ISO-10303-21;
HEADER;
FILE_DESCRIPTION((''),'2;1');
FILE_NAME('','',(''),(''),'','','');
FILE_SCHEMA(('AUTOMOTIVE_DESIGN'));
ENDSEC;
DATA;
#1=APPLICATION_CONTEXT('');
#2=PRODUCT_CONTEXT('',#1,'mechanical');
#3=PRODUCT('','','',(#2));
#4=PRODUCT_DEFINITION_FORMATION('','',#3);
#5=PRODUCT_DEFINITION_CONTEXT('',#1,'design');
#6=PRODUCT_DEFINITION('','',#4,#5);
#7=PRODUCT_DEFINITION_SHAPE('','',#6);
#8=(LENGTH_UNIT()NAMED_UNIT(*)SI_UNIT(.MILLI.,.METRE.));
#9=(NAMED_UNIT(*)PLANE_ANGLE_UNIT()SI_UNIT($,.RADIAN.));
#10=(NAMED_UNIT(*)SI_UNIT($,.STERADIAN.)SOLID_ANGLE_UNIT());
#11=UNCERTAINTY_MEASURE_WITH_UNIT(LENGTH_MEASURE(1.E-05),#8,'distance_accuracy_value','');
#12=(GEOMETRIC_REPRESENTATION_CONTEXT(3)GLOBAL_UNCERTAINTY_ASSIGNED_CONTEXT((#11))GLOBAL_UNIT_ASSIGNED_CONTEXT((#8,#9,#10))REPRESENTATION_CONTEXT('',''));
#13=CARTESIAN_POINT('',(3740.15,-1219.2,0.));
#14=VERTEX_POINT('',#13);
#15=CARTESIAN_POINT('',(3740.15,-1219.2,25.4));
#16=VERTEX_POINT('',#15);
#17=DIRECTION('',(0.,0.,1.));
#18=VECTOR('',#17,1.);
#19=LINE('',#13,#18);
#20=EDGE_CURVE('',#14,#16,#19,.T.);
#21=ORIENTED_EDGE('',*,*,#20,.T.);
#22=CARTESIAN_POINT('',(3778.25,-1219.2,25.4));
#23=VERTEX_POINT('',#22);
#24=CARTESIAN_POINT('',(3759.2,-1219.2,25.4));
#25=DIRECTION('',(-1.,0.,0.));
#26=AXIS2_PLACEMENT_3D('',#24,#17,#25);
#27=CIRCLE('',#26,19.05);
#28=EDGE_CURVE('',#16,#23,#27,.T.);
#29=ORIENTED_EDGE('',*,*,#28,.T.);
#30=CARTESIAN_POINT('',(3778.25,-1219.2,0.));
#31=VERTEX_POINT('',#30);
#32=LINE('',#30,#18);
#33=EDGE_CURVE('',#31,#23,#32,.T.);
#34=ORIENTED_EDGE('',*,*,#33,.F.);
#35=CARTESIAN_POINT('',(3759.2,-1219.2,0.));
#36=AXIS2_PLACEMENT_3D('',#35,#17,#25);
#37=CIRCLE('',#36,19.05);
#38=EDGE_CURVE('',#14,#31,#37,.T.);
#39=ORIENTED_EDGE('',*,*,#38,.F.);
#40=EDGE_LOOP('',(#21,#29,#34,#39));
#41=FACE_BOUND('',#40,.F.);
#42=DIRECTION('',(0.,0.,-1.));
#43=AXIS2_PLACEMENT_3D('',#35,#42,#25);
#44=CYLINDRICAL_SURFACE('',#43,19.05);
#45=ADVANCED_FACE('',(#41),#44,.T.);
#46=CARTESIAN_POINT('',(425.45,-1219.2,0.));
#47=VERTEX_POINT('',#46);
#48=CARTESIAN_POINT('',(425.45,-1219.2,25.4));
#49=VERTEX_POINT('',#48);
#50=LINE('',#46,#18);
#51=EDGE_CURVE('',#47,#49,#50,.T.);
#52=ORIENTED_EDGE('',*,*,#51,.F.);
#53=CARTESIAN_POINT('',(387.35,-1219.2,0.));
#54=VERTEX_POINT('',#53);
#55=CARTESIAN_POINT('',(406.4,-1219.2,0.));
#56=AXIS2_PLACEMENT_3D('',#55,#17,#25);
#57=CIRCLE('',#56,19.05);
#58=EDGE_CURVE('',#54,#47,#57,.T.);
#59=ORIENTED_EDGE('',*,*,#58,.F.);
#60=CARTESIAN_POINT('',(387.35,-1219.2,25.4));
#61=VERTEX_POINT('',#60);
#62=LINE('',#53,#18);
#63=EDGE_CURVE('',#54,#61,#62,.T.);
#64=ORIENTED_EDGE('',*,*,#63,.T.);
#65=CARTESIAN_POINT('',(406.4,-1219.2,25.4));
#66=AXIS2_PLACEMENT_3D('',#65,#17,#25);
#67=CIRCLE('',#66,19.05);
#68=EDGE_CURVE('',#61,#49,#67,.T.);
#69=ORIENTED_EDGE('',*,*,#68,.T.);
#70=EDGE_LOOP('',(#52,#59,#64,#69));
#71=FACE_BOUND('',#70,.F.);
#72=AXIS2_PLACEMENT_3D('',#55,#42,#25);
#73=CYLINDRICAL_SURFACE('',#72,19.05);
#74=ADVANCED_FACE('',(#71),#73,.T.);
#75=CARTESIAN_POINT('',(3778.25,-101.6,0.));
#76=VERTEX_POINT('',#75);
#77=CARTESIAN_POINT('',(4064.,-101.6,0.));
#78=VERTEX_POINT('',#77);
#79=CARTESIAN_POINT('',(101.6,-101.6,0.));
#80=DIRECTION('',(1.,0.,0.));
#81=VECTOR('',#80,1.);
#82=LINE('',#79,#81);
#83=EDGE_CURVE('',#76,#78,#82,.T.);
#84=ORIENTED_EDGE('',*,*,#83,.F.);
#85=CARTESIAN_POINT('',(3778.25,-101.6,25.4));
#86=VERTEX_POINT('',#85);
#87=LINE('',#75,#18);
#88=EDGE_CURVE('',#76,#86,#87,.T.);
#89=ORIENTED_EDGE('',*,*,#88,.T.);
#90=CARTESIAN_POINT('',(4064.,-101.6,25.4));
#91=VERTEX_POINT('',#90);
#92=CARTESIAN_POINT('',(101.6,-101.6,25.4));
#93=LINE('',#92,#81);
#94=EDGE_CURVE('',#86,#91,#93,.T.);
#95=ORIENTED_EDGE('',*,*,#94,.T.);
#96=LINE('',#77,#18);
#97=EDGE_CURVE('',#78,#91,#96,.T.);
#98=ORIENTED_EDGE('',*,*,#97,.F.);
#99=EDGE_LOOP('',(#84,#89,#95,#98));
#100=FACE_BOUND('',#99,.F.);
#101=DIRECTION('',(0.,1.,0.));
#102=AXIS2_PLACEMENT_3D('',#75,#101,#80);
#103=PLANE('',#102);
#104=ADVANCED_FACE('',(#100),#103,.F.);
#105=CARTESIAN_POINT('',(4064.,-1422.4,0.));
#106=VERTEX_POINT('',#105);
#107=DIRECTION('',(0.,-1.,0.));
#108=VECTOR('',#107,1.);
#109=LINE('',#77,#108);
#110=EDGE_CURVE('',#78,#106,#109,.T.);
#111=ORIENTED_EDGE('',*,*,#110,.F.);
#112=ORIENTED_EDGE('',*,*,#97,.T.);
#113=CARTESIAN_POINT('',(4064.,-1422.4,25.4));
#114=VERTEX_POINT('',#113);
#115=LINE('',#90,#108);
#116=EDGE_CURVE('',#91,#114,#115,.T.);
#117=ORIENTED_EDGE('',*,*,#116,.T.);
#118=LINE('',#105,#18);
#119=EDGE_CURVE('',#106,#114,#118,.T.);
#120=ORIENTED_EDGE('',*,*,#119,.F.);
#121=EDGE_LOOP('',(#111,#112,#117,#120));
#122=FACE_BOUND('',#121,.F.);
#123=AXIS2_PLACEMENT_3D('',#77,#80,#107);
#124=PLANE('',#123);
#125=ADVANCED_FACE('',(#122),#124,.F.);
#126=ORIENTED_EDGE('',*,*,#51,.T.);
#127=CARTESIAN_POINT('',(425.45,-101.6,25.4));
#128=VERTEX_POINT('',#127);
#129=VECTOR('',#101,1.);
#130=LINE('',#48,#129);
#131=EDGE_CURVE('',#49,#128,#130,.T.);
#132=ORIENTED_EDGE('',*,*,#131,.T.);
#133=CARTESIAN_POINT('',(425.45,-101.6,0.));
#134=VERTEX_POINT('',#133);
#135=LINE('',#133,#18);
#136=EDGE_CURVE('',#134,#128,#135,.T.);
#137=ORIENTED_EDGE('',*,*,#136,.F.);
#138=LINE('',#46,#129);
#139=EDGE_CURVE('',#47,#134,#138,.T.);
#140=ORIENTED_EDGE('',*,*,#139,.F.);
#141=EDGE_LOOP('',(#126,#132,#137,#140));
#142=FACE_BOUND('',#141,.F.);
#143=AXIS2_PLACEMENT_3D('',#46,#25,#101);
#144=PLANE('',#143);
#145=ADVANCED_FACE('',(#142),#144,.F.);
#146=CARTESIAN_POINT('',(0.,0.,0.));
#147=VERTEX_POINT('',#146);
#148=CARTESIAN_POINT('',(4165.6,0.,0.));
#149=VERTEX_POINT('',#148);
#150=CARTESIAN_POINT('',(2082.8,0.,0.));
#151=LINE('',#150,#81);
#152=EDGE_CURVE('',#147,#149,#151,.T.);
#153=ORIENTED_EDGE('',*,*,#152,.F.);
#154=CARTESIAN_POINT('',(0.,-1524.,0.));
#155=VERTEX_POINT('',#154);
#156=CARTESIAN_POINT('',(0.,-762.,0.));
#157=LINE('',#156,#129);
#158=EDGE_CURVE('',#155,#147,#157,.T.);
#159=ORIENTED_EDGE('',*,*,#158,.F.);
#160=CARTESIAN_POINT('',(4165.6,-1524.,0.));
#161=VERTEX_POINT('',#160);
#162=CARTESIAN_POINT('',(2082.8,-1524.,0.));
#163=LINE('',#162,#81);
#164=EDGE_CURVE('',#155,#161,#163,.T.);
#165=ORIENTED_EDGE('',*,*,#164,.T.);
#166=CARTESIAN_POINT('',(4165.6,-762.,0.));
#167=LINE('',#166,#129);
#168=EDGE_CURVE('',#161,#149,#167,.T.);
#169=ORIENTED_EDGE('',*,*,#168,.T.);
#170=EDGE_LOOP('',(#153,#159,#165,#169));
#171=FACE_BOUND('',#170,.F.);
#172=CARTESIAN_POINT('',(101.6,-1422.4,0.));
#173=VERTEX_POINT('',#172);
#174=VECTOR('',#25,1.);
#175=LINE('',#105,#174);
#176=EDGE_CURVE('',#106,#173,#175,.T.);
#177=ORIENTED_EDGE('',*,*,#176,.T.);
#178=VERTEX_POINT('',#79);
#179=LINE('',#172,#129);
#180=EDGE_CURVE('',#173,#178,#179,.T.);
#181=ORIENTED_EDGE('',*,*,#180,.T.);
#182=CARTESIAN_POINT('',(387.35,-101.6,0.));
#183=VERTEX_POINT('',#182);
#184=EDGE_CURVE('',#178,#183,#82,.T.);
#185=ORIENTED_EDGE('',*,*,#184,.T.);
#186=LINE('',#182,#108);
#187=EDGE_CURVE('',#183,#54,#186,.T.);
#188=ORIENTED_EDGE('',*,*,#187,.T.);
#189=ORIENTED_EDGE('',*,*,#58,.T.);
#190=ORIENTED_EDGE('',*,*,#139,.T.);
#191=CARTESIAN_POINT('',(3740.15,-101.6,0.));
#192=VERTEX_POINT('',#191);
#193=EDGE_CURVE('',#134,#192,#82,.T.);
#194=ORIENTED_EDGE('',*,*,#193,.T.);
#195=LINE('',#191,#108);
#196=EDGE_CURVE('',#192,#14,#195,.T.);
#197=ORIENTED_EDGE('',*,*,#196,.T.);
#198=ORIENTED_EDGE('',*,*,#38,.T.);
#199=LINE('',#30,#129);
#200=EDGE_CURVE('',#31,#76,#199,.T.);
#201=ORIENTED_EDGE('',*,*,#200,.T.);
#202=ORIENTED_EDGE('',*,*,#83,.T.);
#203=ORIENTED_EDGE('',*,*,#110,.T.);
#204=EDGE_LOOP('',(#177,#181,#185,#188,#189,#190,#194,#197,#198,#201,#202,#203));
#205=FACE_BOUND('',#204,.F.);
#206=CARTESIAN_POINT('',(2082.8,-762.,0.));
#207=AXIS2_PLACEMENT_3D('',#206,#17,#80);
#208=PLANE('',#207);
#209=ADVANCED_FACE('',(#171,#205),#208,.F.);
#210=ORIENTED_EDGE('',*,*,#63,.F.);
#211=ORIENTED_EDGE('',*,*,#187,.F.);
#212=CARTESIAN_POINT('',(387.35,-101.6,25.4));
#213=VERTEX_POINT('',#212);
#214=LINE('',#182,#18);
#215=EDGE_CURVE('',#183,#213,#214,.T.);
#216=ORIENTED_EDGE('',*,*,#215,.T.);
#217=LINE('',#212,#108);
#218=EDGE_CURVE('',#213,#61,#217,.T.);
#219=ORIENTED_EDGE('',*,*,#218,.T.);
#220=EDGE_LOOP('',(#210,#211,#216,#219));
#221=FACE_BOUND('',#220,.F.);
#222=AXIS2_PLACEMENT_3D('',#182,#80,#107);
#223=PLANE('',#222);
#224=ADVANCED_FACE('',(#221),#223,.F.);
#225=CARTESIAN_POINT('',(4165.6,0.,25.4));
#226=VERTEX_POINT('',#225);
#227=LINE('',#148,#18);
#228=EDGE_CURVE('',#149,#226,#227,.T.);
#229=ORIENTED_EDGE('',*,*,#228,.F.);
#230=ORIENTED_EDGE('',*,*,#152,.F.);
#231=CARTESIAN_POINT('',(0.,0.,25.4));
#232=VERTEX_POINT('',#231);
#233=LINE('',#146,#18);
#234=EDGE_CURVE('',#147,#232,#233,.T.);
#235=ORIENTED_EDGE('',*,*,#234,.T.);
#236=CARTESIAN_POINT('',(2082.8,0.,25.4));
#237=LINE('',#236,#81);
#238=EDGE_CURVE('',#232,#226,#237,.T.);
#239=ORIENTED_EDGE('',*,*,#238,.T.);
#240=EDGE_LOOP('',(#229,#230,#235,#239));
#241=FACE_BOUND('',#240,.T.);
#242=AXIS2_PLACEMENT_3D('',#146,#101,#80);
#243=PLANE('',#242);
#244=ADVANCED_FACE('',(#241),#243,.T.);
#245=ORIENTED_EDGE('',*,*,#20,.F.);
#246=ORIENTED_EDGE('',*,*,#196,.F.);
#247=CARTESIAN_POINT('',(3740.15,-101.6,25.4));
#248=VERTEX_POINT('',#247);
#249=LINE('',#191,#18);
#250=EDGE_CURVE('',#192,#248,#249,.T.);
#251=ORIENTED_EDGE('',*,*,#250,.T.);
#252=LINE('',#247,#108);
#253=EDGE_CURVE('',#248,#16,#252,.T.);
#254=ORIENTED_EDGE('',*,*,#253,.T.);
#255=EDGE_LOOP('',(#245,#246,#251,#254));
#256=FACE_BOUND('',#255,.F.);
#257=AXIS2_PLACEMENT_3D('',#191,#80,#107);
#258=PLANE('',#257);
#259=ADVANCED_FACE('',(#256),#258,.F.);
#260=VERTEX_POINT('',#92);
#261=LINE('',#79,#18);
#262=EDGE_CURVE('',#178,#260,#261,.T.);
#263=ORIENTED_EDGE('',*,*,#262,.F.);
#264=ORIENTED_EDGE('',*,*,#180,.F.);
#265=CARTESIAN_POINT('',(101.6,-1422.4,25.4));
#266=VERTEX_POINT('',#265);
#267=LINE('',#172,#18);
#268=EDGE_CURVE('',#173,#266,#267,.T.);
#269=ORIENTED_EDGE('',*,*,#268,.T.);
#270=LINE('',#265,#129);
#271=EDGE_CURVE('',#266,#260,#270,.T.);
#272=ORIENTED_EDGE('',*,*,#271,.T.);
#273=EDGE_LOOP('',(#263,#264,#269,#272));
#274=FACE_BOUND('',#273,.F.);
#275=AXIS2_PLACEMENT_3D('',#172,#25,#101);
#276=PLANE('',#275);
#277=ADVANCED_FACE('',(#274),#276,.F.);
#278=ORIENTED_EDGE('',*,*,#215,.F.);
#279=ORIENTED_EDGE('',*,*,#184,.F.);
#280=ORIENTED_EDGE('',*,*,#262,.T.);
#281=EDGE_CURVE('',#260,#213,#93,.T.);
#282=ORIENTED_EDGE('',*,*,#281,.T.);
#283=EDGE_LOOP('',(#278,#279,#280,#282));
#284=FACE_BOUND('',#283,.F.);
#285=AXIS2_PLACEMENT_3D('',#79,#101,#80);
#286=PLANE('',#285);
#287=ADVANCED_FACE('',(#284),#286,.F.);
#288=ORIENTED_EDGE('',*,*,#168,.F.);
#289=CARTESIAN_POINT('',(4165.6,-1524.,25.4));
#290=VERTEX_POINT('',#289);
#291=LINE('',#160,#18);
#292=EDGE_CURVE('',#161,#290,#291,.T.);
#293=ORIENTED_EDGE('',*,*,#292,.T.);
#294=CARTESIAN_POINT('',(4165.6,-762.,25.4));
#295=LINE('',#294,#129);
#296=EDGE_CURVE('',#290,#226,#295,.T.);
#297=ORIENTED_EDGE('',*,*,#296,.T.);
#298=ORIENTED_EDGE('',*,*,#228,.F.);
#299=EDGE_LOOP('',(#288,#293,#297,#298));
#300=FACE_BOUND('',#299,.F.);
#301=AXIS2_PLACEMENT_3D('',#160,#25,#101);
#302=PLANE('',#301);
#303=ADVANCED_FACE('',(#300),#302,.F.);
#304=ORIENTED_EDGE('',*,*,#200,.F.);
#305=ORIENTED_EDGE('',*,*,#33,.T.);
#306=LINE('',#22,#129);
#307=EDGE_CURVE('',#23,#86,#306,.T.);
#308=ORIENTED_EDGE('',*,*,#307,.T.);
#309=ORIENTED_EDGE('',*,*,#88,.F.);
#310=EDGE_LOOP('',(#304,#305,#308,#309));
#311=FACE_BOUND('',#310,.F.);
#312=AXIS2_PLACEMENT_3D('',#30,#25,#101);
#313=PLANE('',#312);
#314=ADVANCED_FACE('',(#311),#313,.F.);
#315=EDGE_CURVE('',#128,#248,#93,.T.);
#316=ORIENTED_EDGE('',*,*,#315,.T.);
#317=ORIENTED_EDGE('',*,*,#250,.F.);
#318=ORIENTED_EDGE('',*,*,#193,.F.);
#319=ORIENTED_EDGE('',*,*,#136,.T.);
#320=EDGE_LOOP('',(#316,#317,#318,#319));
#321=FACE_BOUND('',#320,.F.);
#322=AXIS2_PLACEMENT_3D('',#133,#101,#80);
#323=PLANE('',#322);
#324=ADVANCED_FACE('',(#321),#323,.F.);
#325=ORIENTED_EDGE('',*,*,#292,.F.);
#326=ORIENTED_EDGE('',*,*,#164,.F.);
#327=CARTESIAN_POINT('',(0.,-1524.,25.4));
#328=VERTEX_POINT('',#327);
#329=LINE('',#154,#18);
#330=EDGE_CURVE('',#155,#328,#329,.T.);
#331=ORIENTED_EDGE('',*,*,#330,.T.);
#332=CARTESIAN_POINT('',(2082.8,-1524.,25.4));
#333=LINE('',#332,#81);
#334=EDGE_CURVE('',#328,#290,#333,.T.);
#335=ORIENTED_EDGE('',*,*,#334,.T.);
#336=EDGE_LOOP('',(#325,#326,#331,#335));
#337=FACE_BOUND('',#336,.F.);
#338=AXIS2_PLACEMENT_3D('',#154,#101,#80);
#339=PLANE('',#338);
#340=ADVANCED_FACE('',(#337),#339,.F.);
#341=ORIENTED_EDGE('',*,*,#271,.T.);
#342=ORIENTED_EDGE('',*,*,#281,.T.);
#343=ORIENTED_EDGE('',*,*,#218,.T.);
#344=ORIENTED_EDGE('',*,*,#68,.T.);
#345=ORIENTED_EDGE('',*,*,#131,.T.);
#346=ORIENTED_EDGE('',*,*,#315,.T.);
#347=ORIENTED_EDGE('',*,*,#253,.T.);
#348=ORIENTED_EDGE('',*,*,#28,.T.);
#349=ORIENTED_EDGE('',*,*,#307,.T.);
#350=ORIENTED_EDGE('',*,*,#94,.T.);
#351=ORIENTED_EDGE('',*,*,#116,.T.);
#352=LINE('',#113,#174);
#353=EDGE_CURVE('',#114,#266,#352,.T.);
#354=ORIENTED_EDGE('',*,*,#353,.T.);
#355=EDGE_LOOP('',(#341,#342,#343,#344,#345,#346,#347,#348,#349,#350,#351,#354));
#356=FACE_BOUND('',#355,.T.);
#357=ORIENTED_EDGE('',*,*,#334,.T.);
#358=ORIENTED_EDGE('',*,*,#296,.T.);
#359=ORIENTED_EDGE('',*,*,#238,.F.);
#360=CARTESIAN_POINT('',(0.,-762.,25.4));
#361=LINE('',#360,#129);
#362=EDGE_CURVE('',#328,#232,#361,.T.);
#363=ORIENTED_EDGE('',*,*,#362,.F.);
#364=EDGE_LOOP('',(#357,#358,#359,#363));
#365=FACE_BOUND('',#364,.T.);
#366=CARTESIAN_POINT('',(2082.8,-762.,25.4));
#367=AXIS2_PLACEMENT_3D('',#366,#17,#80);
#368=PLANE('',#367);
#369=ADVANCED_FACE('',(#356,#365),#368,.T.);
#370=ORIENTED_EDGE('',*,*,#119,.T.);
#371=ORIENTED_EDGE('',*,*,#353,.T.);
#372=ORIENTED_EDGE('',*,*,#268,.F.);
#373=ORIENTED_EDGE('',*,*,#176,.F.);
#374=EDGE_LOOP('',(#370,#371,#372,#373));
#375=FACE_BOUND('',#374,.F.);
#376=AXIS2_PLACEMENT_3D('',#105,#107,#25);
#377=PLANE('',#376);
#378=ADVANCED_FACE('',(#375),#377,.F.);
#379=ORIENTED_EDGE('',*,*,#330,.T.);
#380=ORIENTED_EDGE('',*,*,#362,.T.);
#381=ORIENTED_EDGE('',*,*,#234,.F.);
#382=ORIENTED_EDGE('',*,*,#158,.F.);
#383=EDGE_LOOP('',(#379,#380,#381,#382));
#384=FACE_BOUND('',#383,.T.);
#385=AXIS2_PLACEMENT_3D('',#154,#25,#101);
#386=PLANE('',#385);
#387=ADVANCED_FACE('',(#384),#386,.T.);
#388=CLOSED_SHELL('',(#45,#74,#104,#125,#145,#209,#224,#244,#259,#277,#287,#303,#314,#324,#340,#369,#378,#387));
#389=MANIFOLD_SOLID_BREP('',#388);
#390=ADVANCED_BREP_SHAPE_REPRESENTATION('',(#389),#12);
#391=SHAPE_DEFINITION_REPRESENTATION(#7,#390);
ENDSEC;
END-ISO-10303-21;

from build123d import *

# Parameters (mm, degrees)
F0_W     = 4165.6
F0_H     = 1524
F1_DEPTH = 25.4


with BuildPart() as f1:
    # F0 (on Top) → F1 (new body)
    with BuildSketch(Plane.XY):
        with Locations((2082.8, -762)):
            Rectangle(F0_W, F0_H)
        Polygon((101.6, -1422.4), (101.6, -101.6), (387.35, -101.6), (425.45, -101.6), (3740.15, -101.6), (3778.25, -101.6), (4064, -101.6), (4064, -1422.4), align=None, mode=Mode.SUBTRACT)
        with BuildLine():
            Line((425.45, -101.6), (387.35, -101.6))
            Line((387.35, -101.6), (387.35, -1219.2))
            ThreePointArc((387.35, -1219.2), (406.4, -1200.15), (425.45, -1219.2))
            Line((425.45, -1219.2), (425.45, -101.6))
        make_face()
        with BuildLine():
            Line((425.45, -1219.2), (387.35, -1219.2))
            ThreePointArc((387.35, -1219.2), (406.4, -1238.25), (425.45, -1219.2))
        make_face()
        with BuildLine():
            ThreePointArc((425.45, -1219.2), (406.4, -1200.15), (387.35, -1219.2))
            Line((387.35, -1219.2), (425.45, -1219.2))
        make_face()
        with BuildLine():
            Line((3778.25, -101.6), (3740.15, -101.6))
            Line((3740.15, -101.6), (3740.15, -1219.2))
            ThreePointArc((3740.15, -1219.2), (3759.2, -1200.15), (3778.25, -1219.2))
            Line((3778.25, -1219.2), (3778.25, -101.6))
        make_face()
        with BuildLine():
            ThreePointArc((3778.25, -1219.2), (3759.2, -1200.15), (3740.15, -1219.2))
            Line((3740.15, -1219.2), (3778.25, -1219.2))
        make_face()
        with BuildLine():
            Line((3778.25, -1219.2), (3740.15, -1219.2))
            ThreePointArc((3740.15, -1219.2), (3759.2, -1238.25), (3778.25, -1219.2))
        make_face()
    extrude(amount=F1_DEPTH)


solid = f1.part
